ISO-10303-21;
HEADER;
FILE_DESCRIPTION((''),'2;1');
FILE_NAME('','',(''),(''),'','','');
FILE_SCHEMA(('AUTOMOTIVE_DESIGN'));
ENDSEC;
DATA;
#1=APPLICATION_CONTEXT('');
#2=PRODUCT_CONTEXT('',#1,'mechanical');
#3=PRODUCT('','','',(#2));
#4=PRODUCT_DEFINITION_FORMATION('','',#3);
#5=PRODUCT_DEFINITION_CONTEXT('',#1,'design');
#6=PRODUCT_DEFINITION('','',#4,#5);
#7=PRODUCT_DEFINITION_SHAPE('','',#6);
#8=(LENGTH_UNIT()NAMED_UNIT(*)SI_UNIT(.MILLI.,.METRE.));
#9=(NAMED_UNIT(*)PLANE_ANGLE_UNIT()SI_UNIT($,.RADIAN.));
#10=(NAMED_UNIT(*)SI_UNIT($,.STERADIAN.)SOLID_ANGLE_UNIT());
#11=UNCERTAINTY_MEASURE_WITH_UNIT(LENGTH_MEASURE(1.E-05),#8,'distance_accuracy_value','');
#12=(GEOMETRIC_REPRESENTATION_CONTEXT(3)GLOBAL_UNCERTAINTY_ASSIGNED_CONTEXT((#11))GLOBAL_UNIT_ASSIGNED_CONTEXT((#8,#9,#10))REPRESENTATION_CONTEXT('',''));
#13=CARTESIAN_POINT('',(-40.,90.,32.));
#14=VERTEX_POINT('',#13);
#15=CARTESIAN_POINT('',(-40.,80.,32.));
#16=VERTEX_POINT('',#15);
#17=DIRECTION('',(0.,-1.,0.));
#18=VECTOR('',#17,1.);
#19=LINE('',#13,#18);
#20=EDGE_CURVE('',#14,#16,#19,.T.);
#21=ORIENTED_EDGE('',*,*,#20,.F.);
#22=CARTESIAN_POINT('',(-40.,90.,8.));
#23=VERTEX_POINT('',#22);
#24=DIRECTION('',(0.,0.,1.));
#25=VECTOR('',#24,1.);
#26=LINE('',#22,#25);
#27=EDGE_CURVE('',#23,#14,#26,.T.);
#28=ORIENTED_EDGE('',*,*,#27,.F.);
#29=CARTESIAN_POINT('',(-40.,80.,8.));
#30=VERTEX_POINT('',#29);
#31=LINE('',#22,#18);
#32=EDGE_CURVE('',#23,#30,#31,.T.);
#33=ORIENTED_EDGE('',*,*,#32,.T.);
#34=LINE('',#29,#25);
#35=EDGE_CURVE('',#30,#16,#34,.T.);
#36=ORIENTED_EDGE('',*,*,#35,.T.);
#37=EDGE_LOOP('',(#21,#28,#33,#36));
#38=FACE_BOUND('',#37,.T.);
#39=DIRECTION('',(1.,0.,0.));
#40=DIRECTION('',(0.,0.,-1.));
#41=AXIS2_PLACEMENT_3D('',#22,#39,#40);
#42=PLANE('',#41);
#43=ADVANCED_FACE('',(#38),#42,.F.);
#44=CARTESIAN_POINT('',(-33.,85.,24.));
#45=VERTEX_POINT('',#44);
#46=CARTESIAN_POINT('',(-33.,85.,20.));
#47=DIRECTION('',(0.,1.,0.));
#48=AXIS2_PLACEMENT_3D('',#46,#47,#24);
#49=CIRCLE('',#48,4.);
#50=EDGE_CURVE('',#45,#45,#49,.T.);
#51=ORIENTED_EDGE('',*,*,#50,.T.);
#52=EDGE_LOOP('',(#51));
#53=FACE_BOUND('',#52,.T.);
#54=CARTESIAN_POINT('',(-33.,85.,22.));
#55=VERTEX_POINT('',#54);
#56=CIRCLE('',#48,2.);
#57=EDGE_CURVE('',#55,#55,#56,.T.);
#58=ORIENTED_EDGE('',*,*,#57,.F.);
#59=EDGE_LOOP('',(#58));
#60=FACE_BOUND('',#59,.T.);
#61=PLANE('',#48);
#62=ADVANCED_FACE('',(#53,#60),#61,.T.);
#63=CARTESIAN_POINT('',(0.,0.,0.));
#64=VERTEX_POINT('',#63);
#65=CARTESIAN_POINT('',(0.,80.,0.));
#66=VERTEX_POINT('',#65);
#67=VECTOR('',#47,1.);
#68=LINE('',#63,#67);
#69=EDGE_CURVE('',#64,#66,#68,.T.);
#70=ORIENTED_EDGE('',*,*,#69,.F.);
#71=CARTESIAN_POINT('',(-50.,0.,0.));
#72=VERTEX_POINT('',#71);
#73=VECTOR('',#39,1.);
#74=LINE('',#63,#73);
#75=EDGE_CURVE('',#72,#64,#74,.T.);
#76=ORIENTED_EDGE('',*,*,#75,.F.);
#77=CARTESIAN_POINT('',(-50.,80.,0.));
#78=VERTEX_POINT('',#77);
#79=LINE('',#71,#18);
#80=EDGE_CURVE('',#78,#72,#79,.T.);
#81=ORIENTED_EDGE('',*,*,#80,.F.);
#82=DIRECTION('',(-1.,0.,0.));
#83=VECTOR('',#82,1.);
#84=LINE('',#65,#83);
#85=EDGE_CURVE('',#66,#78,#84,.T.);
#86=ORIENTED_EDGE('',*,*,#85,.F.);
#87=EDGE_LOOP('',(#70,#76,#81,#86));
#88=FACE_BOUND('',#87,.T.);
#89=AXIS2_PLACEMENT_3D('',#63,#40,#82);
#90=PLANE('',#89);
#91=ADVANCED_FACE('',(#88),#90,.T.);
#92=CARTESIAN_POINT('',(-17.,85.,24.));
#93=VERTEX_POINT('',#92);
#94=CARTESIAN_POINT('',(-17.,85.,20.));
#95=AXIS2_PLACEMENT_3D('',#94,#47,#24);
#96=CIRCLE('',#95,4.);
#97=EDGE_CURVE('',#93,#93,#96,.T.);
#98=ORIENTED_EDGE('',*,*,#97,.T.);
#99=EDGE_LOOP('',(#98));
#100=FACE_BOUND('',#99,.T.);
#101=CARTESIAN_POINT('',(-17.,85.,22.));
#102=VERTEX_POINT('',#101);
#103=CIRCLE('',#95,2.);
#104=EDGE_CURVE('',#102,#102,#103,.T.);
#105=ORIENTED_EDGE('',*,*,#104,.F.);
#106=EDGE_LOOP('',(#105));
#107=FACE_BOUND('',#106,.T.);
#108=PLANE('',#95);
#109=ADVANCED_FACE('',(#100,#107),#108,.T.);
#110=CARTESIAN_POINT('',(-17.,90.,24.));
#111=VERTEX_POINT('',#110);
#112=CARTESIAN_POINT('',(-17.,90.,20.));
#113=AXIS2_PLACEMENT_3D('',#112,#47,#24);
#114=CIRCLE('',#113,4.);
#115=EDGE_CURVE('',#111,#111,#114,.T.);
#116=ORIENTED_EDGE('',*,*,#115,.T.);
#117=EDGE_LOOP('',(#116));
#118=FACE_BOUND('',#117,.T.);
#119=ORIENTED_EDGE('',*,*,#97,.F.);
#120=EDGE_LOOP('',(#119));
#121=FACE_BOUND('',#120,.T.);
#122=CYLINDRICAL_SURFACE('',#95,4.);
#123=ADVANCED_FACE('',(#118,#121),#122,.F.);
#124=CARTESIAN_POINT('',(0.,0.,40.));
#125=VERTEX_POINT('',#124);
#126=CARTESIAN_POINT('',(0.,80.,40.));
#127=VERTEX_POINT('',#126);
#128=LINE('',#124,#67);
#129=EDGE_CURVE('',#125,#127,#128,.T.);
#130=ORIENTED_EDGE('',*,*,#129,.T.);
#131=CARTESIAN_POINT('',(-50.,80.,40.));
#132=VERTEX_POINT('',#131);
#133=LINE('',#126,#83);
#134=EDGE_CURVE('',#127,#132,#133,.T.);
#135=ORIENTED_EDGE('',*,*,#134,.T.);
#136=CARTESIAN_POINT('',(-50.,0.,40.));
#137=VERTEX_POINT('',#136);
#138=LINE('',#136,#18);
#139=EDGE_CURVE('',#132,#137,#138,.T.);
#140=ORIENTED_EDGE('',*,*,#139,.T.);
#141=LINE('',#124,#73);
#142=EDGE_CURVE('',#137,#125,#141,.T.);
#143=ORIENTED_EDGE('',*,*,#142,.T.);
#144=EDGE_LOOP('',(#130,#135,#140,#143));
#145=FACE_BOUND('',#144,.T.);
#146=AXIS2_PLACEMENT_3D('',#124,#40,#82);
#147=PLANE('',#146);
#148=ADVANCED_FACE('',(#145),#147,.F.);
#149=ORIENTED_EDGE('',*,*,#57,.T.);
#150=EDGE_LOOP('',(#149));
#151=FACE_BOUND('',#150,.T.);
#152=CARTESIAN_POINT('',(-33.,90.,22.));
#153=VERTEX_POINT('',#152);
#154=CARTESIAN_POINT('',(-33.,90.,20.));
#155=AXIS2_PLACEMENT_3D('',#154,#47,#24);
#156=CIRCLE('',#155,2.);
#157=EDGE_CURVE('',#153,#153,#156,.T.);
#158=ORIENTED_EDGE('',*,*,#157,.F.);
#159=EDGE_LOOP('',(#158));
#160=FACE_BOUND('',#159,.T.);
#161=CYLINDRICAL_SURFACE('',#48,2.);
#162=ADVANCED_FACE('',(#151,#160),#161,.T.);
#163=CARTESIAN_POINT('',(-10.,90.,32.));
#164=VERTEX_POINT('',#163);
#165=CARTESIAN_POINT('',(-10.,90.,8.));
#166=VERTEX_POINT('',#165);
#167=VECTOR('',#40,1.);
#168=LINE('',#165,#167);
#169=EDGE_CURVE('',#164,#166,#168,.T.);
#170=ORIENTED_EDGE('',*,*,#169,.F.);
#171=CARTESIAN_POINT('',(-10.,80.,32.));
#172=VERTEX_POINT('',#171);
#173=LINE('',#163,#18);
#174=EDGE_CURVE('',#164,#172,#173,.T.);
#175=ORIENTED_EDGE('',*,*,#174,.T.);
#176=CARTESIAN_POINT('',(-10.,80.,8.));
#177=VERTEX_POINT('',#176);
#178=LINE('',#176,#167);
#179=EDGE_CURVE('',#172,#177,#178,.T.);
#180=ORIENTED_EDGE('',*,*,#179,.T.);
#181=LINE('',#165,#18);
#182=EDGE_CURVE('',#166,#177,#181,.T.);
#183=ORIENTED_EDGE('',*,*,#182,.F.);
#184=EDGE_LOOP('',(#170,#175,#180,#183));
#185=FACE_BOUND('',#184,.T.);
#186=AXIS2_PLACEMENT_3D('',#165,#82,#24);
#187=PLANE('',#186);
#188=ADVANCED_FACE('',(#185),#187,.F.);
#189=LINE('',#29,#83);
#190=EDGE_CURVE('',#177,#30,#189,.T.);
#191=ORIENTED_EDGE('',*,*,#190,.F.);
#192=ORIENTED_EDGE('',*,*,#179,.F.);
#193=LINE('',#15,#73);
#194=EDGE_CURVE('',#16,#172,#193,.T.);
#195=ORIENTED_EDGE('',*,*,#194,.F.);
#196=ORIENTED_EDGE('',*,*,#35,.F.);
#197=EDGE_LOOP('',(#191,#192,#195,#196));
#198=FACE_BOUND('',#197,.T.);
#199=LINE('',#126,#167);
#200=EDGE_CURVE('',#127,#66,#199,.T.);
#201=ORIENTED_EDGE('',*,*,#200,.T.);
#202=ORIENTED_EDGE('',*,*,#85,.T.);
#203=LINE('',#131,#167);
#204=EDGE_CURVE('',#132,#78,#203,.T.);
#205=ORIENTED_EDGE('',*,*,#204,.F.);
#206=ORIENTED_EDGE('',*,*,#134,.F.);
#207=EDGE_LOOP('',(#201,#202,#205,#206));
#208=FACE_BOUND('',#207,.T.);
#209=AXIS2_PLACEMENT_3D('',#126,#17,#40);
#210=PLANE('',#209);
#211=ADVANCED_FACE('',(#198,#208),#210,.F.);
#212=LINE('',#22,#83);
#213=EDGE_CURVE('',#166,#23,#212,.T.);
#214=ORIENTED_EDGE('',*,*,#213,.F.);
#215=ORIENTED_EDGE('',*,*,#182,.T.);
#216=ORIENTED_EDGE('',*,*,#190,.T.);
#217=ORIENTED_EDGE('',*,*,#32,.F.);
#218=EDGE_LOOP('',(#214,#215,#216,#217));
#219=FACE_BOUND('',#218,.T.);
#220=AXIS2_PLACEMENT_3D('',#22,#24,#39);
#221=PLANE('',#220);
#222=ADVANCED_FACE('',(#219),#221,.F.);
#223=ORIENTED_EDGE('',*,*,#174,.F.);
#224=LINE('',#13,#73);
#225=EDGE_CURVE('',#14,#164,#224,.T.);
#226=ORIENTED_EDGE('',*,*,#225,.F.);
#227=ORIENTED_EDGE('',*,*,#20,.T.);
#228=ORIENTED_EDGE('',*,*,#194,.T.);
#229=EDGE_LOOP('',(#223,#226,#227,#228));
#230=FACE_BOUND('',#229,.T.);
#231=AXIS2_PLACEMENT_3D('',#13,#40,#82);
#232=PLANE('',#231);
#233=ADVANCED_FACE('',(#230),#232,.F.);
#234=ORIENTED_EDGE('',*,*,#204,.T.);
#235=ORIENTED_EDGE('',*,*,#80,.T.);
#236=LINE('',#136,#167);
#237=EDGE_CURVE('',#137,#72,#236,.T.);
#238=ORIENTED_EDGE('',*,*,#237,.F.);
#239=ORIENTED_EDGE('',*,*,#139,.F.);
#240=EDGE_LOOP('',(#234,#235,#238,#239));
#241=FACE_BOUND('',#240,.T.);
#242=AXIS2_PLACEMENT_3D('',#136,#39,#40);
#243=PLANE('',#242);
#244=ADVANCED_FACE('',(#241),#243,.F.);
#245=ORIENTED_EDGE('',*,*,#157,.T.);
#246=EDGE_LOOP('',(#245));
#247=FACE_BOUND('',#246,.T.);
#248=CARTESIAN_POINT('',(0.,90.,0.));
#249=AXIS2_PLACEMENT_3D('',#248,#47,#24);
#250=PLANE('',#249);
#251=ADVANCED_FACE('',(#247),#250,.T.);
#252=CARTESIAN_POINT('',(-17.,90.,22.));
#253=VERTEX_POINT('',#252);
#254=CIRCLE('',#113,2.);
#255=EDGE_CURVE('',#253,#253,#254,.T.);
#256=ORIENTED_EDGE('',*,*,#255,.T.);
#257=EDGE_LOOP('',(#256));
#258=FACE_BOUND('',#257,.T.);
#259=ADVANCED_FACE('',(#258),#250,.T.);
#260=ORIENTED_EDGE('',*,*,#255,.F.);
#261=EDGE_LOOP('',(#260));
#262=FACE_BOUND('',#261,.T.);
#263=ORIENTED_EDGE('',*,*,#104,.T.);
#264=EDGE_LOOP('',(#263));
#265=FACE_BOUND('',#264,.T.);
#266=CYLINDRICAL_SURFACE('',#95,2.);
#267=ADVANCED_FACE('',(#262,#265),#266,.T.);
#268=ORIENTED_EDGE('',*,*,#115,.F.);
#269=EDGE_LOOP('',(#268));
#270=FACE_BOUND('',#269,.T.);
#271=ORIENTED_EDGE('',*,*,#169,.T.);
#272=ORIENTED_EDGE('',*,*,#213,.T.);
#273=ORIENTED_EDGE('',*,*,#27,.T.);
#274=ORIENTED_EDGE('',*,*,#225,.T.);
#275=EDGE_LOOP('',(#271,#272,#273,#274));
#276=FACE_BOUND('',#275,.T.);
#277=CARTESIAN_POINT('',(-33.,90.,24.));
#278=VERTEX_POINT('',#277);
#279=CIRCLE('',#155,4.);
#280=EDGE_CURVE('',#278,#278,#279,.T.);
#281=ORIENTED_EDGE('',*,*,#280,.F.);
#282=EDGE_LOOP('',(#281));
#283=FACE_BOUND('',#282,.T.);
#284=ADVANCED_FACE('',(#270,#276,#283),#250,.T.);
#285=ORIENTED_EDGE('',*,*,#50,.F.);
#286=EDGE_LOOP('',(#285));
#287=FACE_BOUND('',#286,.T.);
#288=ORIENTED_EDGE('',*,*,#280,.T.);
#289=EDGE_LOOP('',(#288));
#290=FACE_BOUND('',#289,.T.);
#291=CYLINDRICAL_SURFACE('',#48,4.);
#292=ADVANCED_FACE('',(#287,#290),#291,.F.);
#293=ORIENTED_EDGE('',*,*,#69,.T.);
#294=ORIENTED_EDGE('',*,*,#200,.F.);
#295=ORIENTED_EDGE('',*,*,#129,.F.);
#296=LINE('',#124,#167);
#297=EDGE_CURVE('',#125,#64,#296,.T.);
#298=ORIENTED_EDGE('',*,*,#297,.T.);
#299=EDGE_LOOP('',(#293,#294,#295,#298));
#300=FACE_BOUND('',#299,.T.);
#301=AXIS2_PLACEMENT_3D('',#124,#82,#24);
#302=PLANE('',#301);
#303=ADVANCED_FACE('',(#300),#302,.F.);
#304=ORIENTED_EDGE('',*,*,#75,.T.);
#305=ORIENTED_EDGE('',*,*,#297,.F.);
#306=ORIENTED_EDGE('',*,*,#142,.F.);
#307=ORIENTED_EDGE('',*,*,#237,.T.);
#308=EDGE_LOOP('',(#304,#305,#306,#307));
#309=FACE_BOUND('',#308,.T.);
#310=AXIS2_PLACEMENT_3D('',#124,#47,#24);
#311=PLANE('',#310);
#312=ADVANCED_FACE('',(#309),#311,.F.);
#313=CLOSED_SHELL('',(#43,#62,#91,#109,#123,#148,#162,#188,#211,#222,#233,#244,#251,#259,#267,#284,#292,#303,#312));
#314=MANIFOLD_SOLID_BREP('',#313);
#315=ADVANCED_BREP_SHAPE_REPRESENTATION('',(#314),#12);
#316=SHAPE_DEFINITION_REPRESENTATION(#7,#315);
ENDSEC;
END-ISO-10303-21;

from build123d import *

# Parameters (mm, degrees)
SKETCH1_W           = 80
SKETCH1_H           = 50
BOSS_EXTRUDE1_DEPTH = 40
SKETCH2_W           = 30
SKETCH2_H           = 24
BOSS_EXTRUDE2_DEPTH = 10
SKETCH3_R           = 4
SKETCH3_R_2         = 2
CUT_EXTRUDE1_DEPTH  = 5


with BuildPart() as part:
    # Sketch1 → Boss-Extrude1 (new body)
    with BuildSketch(Plane(origin=(0, 0, 0), x_dir=(0, 1, 0), z_dir=(0, 0, 1))):
        with Locations((40, 25)):
            Rectangle(SKETCH1_W, SKETCH1_H)
    extrude(amount=BOSS_EXTRUDE1_DEPTH)

    # Sketch2 → Boss-Extrude2 (add)
    with BuildSketch(Plane(origin=(0, 80, 0), x_dir=(-1, 0, 0), z_dir=(0, 1, 0))):
        with Locations((25, 20)):
            Rectangle(SKETCH2_W, SKETCH2_H)
    extrude(amount=BOSS_EXTRUDE2_DEPTH)

    # Sketch3 → Cut-Extrude1 (cut)
    # profile 1 of 2: a face of its own
    with BuildSketch(Plane(origin=(0, 90, 0), x_dir=(-1, 0, 0), z_dir=(0, 1, 0))):
        with Locations(Location((17, 20, 0), (0, 0, 90))):
            Circle(SKETCH3_R)
        with Locations(Location((17, 20, 0), (0, 0, 90))):
            Circle(SKETCH3_R_2, mode=Mode.SUBTRACT)
    # profile 2 of 2: a face of its own
    with BuildSketch(Plane(origin=(0, 90, 0), x_dir=(-1, 0, 0), z_dir=(0, 1, 0))):
        with Locations(Location((33, 20, 0), (0, 0, 90))):
            Circle(SKETCH3_R)
        with Locations(Location((33, 20, 0), (0, 0, 90))):
            Circle(SKETCH3_R_2, mode=Mode.SUBTRACT)
    extrude(amount=-CUT_EXTRUDE1_DEPTH, mode=Mode.SUBTRACT)


solid = part.part
